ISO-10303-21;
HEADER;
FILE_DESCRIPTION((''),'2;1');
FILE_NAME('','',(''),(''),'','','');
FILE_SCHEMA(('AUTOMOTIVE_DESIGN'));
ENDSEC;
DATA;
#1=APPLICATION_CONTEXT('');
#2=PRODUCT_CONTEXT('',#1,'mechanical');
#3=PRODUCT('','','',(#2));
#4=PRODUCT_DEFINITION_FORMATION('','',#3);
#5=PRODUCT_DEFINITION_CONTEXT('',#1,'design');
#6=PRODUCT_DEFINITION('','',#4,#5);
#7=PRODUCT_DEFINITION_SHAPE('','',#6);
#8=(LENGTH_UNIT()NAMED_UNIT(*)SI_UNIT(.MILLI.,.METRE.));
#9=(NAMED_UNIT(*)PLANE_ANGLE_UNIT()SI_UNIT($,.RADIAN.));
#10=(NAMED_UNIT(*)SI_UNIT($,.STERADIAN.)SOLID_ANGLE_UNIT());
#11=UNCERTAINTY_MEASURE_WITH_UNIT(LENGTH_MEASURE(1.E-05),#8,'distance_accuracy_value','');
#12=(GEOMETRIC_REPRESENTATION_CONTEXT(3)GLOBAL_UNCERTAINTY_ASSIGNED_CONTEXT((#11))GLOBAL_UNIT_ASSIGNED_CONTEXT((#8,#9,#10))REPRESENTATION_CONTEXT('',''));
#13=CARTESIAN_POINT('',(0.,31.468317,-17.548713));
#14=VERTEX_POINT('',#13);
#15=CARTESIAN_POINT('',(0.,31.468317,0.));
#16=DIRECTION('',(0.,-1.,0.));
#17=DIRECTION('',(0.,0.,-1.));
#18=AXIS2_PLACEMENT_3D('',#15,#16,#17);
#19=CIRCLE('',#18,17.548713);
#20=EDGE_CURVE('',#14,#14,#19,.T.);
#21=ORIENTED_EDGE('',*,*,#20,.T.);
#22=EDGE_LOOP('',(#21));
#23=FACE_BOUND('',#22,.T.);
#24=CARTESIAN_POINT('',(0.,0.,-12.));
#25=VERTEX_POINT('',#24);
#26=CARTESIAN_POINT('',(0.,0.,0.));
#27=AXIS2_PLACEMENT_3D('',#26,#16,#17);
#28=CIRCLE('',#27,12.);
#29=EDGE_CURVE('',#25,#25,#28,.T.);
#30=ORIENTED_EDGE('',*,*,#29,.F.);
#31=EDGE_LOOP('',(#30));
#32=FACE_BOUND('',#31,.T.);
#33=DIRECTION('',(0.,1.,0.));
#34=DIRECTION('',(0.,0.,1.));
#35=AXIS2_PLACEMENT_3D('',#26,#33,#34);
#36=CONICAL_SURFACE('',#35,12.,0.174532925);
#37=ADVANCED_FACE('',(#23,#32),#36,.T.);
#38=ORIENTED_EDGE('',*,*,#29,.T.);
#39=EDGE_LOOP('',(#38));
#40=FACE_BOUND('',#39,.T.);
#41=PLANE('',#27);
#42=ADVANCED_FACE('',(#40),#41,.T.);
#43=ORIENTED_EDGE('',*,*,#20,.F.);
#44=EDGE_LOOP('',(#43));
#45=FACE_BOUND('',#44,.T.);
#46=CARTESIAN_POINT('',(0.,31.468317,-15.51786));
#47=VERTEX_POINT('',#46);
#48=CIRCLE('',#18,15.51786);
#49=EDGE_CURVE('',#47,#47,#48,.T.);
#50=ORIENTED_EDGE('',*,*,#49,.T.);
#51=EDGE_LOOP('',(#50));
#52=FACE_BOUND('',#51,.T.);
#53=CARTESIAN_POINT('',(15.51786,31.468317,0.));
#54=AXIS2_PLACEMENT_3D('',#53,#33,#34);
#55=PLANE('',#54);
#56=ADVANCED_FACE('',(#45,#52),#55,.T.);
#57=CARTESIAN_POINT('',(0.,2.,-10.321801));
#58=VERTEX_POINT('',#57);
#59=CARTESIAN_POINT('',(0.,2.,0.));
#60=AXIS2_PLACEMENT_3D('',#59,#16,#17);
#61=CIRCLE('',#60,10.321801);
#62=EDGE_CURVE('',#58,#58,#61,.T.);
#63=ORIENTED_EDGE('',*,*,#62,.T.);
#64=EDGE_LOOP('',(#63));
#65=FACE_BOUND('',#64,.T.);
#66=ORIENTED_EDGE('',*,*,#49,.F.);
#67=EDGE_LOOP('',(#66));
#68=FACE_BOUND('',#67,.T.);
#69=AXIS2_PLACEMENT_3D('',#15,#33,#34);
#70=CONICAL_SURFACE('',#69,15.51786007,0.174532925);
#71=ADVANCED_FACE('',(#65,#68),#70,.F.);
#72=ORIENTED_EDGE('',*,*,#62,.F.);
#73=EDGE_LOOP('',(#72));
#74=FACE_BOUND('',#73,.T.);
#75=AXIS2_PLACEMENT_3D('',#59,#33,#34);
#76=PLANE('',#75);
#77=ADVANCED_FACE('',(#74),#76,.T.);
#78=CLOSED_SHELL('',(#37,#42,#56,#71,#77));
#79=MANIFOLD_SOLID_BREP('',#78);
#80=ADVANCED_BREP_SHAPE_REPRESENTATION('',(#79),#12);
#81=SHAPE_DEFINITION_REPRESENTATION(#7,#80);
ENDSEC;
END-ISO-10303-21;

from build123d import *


with BuildPart() as part:
    # Sketch1 → Revolve1 (revolve)
    with BuildSketch(Plane.XY, mode=Mode.PRIVATE) as revolve1_sk:
        Polygon((0, 0), (12, 0), (17.548713294, 31.468316825), (15.51786007, 31.468316825), (10.321800738, 2), (0, 2), align=None)
    revolve(revolve1_sk.sketch.rotate(Axis((0, 0, 0), (0, 1, 0)), 90), axis=Axis((0, 0, 0), (0, 1, 0)))


solid = part.part
